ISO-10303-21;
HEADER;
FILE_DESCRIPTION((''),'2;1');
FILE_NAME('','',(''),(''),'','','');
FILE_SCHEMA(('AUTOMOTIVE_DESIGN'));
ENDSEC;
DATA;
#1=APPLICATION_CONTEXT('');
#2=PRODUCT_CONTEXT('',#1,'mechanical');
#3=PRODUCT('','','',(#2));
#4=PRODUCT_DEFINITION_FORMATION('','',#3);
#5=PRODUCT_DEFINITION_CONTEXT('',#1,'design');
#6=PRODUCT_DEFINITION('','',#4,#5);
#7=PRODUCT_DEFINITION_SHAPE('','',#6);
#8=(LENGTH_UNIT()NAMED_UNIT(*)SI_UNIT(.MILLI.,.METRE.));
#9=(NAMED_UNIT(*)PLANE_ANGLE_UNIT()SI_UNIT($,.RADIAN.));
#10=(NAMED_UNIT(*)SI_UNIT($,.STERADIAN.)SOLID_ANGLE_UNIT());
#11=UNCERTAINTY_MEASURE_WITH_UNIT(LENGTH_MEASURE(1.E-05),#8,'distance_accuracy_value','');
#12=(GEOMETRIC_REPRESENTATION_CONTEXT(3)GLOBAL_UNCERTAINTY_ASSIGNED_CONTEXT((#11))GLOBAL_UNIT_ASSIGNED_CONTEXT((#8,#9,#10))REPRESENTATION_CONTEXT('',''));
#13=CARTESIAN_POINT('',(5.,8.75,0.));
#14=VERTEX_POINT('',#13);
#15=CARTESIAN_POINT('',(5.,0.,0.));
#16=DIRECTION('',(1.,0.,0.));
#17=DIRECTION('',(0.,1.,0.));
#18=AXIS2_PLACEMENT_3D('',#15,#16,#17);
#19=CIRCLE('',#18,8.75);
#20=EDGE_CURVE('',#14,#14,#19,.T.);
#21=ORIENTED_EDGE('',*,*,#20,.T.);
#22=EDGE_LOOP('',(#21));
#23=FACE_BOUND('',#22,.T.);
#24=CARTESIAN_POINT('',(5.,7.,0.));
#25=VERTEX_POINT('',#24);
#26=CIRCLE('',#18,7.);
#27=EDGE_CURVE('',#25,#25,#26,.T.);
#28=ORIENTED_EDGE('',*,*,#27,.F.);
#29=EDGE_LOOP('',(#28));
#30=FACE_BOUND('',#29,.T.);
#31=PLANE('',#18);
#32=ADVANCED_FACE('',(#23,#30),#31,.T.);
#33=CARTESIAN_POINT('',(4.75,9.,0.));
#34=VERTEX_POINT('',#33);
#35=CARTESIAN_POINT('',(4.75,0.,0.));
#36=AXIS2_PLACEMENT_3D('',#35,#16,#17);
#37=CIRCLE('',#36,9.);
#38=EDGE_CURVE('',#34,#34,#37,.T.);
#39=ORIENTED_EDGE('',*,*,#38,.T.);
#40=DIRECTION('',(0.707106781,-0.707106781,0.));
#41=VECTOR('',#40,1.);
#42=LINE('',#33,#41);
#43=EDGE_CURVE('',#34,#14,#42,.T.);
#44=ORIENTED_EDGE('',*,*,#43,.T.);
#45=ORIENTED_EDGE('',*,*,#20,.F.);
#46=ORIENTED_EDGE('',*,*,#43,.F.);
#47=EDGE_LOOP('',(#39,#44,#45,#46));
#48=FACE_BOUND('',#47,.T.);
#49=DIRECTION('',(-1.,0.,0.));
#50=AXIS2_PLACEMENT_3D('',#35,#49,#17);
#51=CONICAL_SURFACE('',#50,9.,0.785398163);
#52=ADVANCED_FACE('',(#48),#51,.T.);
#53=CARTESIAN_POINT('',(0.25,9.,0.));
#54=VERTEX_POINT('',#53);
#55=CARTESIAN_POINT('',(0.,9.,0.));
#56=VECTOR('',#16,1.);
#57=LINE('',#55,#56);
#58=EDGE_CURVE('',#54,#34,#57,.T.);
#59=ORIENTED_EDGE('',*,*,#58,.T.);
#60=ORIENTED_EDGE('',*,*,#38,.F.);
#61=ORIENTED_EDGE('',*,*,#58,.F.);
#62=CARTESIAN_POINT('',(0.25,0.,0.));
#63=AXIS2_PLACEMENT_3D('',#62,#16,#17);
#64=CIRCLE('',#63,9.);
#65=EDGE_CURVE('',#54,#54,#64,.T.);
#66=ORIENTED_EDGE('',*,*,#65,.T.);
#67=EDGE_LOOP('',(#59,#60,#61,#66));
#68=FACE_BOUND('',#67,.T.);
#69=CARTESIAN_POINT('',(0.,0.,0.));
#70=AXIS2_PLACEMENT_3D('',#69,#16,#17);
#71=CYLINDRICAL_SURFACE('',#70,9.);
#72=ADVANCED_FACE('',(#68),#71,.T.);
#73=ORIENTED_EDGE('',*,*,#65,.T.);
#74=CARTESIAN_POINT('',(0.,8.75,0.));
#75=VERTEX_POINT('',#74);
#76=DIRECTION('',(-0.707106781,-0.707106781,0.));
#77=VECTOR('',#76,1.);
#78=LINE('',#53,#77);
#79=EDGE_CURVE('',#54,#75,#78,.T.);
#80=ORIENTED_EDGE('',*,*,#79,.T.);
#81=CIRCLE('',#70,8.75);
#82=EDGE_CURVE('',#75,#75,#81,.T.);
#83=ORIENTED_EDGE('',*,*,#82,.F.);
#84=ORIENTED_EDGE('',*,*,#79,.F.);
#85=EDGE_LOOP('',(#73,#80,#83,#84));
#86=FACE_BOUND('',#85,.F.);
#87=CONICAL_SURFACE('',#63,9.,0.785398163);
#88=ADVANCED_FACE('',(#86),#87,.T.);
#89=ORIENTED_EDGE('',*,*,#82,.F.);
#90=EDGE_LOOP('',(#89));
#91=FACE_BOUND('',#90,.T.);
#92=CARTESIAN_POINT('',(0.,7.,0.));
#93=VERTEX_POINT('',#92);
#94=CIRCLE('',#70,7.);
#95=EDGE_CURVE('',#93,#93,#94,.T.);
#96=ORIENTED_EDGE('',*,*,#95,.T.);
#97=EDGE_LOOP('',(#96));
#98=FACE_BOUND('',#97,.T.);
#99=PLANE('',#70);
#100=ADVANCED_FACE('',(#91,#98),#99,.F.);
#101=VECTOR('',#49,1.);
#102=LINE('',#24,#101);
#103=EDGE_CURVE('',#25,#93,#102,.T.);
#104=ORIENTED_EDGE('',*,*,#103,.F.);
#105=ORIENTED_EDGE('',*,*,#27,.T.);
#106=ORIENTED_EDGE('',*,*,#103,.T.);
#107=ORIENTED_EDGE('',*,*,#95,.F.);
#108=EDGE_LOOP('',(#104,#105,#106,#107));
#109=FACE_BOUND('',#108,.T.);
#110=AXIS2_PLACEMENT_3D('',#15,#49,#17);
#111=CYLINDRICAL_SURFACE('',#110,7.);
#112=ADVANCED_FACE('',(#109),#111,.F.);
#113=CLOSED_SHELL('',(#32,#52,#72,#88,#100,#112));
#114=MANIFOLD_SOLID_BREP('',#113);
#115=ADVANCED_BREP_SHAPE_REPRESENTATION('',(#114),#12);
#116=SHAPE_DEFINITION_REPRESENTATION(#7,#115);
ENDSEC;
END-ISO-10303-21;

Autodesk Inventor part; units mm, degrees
ref_plane "YZ Plane" through (0, 0, 0) normal (1, 0, 0) x (0, 1, 0)
ref_plane "XZ Plane" through (0, 0, 0) normal (0, 1, 0) x (-1, 0, 0)
ref_plane "XY Plane" through (0, 0, 0) normal (0, 0, 1) x (1, 0, 0)
sketch "Эскиз1" plane through (0, 0, 0) normal (0, 0, 1) x (1, 0, 0)
  line L0 (0, 9) -> (5, 9)
  line L1 (5, 9) -> (5, 7)
  line L2 (5, 7) -> (0, 7)
  line L3 (0, 7) -> (0, 9)
  line L4 (0, 0) -> (5.6072, 0)
  dimension "d0" = 14
  dimension "d1" = 2
  dimension "d2" = 5
revolve "Вращение1" add sketch "Эскиз1" angle 360 about axis through (0, 0, 0) along (1, 0, 0)
chamfer "Фаска1" distance 0.25 angle 45 2 edges at (5, -9, 0) (0, -9, 0)
properties part number "Проставка" material "Сталь, углеродистая"
